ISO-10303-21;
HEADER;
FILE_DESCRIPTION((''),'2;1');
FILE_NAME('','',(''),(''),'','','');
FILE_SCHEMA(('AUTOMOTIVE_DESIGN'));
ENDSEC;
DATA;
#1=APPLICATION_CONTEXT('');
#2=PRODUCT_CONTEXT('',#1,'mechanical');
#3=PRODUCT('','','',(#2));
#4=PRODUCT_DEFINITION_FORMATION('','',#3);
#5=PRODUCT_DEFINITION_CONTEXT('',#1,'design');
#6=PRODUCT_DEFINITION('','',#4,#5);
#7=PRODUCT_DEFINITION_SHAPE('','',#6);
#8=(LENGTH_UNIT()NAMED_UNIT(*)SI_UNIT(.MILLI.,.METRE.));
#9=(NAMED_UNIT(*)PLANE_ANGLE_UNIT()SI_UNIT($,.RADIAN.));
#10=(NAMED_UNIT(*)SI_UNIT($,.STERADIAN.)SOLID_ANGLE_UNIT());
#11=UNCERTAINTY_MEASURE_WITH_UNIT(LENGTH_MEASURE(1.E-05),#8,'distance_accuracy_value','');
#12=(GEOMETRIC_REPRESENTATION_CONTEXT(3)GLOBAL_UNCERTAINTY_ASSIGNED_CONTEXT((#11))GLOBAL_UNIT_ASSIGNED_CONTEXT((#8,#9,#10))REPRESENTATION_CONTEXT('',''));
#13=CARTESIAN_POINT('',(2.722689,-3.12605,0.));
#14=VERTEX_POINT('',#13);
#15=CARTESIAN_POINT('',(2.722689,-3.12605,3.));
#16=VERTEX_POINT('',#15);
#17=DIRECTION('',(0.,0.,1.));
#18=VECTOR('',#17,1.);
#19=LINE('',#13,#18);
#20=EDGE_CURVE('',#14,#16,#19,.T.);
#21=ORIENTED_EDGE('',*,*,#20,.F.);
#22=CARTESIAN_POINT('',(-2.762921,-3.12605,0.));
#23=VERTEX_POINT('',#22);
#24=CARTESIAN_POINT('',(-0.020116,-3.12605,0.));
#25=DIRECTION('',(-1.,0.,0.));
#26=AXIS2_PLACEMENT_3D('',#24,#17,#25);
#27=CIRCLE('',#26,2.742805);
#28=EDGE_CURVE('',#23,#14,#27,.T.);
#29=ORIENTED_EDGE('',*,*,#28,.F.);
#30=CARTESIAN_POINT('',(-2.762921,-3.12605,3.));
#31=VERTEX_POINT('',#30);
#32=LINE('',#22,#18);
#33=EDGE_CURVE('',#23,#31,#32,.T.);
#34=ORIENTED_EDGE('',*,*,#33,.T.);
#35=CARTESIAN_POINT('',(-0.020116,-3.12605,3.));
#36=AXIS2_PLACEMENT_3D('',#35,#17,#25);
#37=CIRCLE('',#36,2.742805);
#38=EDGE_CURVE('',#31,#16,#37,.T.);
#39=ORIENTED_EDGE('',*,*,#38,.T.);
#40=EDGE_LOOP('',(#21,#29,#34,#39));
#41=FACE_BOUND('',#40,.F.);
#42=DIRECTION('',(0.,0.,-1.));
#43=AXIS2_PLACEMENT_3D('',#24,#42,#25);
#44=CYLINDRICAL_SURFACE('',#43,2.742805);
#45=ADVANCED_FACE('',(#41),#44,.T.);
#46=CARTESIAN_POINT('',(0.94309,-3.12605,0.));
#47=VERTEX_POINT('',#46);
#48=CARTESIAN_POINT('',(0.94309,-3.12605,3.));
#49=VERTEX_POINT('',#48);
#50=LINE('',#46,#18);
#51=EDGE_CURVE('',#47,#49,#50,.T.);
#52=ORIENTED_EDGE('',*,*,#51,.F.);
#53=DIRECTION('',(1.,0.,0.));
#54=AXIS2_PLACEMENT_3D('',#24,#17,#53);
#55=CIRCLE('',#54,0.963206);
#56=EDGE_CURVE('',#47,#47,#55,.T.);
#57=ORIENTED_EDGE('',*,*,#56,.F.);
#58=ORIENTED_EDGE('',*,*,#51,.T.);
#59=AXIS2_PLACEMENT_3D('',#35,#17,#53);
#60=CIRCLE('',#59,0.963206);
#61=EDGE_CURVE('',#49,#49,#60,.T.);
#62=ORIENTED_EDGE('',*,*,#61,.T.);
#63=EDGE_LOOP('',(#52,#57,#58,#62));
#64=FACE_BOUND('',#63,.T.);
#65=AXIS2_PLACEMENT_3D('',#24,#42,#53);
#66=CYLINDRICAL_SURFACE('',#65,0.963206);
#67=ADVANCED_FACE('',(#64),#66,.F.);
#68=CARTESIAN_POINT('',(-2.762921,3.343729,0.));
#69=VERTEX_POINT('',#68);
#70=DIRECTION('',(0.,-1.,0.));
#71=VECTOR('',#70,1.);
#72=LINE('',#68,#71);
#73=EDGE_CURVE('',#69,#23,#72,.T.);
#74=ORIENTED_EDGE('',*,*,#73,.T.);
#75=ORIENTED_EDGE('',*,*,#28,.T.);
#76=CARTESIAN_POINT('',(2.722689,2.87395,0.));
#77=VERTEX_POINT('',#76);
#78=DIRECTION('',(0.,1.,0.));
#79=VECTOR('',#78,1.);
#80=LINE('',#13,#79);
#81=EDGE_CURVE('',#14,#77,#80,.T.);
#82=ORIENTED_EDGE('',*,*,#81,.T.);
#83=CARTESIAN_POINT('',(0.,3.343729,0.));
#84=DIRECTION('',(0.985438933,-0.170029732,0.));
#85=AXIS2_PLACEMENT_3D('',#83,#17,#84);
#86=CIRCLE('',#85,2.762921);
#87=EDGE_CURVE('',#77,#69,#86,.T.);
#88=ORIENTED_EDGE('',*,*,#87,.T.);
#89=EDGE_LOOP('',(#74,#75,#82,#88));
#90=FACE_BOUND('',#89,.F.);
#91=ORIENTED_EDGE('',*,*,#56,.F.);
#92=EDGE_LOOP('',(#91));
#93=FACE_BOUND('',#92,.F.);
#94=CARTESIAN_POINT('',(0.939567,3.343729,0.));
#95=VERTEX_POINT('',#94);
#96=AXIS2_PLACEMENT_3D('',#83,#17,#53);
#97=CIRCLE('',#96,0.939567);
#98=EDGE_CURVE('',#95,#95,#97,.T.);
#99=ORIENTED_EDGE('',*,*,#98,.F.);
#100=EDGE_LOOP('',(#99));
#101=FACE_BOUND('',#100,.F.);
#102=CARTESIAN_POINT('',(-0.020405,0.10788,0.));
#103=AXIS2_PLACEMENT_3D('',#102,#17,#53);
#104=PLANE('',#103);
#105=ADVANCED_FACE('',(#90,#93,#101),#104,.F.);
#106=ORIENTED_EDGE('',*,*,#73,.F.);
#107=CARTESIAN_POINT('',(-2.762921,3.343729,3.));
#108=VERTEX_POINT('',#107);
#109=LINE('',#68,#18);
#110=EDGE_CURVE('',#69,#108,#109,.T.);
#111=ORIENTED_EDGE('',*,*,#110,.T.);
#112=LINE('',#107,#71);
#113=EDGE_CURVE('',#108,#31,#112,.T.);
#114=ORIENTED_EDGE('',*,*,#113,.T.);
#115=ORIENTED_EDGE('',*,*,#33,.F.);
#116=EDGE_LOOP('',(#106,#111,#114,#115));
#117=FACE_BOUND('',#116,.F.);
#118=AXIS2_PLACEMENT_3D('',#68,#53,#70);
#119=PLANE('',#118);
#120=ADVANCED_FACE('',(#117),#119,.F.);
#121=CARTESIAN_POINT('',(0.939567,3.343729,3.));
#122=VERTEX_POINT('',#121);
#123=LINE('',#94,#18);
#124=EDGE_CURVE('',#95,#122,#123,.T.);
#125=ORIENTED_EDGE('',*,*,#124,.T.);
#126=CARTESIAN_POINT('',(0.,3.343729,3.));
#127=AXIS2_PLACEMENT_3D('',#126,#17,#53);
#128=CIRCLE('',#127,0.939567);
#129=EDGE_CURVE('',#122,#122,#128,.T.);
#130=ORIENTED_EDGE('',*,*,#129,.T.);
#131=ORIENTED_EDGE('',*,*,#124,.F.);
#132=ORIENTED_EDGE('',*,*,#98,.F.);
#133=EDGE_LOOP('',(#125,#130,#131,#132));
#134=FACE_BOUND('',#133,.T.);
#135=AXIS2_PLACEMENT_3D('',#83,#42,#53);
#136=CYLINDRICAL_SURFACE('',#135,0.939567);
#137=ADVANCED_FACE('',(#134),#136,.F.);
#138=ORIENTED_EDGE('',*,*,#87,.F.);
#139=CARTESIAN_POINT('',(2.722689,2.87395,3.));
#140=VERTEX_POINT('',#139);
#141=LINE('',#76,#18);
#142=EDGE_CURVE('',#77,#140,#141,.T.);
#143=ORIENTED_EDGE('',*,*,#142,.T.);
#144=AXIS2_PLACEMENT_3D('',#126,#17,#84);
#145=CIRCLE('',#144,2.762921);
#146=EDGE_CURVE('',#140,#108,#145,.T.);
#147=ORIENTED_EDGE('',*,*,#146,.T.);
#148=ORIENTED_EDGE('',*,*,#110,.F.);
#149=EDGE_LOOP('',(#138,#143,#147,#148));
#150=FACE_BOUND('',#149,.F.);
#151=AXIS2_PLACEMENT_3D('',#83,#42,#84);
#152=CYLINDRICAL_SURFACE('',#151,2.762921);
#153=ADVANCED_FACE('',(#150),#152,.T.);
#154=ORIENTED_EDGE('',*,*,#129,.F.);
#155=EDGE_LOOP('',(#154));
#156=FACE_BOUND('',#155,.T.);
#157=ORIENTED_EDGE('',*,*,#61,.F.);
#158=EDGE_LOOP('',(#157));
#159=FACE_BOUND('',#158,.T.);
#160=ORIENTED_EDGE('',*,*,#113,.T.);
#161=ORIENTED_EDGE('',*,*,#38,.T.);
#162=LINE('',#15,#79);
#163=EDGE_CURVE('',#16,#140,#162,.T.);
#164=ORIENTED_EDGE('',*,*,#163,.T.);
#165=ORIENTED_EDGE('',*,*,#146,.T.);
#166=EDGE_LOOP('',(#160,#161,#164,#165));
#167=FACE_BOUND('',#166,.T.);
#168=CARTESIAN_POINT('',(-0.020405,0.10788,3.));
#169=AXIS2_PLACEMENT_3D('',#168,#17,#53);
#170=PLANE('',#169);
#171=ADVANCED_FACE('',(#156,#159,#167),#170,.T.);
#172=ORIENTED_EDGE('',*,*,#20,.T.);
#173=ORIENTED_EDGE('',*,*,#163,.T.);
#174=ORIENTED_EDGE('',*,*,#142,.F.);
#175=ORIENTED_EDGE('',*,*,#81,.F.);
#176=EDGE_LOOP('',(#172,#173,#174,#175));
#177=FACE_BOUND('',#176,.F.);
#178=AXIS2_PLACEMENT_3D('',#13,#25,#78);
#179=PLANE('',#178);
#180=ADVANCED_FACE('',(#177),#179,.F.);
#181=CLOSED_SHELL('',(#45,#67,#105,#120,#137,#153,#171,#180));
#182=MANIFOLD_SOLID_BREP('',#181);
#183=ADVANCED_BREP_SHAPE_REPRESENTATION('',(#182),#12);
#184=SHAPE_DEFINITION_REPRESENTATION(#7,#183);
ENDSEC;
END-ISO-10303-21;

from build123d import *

# Parameters (mm, degrees)
F0_R     = 0.963206
F0_R_2   = 0.939567
F1_DEPTH = 3


with BuildPart() as f1:
    # F0 (on Top) → F1 (new body)
    with BuildSketch(Plane.XY):
        with BuildLine():
            ThreePointArc((2.722689, 2.87395), (0.235749, 6.096573), (-2.762921, 3.343729))
            Line((-2.762921, 3.343729), (-2.762921, -3.12605))
            ThreePointArc((-2.762921, -3.12605), (-0.020116, -5.868855), (2.722689, -3.12605))
            Line((2.722689, -3.12605), (2.722689, 2.87395))
        make_face()
        with Locations((-0.020116, -3.12605)):
            Circle(F0_R, mode=Mode.SUBTRACT)
        with Locations((0, 3.343729)):
            Circle(F0_R_2, mode=Mode.SUBTRACT)
    extrude(amount=F1_DEPTH)


solid = f1.part
